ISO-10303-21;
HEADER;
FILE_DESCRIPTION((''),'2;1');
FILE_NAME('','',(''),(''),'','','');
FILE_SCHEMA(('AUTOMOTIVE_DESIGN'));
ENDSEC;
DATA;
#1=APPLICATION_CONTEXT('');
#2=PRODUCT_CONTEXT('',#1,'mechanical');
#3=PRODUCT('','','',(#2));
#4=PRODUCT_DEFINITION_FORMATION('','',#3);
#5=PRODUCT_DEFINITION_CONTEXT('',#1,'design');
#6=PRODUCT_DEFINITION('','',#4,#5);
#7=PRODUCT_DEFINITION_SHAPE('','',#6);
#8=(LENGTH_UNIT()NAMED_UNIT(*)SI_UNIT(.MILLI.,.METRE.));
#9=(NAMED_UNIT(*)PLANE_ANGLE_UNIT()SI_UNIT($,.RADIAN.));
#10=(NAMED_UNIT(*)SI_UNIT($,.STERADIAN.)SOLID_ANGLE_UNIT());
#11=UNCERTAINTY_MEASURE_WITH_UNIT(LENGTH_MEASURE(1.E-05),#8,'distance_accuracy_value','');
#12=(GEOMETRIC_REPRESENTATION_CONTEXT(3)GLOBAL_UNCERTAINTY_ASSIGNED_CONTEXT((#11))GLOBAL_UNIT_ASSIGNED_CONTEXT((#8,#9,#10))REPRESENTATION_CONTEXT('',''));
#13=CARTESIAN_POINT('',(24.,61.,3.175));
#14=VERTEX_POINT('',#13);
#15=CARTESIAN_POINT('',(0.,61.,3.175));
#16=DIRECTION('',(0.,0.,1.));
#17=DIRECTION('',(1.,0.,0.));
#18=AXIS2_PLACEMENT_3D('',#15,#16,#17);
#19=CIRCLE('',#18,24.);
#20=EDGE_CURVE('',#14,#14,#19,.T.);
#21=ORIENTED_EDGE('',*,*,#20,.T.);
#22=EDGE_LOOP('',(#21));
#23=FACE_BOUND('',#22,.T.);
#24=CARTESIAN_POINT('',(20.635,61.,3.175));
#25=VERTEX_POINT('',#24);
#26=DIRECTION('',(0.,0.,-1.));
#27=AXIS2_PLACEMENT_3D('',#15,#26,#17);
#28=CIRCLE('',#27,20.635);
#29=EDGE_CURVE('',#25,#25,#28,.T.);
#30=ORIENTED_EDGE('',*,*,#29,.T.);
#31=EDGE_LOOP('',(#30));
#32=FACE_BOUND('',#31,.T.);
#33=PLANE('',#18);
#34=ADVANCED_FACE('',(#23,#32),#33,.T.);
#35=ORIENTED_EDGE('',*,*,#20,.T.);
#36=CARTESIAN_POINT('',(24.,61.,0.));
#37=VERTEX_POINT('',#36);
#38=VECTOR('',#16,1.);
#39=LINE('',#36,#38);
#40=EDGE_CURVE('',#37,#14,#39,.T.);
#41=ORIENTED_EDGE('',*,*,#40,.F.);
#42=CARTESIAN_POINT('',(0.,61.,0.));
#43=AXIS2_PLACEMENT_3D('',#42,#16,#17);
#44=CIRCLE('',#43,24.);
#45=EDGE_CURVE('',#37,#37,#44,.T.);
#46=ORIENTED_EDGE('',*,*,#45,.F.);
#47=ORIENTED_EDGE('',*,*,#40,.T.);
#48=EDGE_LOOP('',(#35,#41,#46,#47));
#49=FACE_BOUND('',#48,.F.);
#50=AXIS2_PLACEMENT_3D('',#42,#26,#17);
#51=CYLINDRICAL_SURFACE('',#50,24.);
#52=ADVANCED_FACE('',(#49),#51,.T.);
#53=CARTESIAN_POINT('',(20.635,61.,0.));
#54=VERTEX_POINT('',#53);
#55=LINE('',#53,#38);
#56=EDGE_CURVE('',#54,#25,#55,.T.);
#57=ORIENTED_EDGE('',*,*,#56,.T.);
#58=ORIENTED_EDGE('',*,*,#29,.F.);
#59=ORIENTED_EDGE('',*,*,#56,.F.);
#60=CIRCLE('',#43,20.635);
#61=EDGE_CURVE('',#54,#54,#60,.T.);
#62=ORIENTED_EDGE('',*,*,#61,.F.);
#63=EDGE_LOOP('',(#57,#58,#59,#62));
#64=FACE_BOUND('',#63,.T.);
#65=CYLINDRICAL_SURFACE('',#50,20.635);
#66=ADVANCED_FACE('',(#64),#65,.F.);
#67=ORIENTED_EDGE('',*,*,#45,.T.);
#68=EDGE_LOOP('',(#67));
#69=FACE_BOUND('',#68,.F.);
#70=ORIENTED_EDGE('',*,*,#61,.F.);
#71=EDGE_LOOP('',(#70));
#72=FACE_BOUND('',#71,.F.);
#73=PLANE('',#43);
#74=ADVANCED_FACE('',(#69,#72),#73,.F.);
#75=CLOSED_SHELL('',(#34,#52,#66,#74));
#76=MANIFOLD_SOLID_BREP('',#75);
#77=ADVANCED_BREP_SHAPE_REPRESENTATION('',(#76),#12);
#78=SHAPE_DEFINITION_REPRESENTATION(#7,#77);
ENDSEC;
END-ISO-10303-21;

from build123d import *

# Parameters (mm, degrees)
CYLINDER158_R     = 20.635
CYLINDER158_DEPTH = 41.275
CYLINDER157_R     = 24
CYLINDER157_DEPTH = 3.175


with BuildPart() as cylinder010:
    # Cylinder158 → Cylinder158 (new body)
    with BuildSketch(Plane.XY):
        Circle(CYLINDER158_R)
    extrude(amount=CYLINDER158_DEPTH)


with BuildPart() as cut020:
    # Cylinder157 → Cylinder157 (new body)
    with BuildSketch(Plane.XY):
        Circle(CYLINDER157_R)
    extrude(amount=CYLINDER157_DEPTH)

    # Cut020: cut Cylinder010
    add(cylinder010.part, mode=Mode.SUBTRACT)


with BuildPart() as cut020_1:
    # Cut020 placement: moved
    add(cut020.part.moved(Location((0, 61, 0))))


solid = cut020_1.part
